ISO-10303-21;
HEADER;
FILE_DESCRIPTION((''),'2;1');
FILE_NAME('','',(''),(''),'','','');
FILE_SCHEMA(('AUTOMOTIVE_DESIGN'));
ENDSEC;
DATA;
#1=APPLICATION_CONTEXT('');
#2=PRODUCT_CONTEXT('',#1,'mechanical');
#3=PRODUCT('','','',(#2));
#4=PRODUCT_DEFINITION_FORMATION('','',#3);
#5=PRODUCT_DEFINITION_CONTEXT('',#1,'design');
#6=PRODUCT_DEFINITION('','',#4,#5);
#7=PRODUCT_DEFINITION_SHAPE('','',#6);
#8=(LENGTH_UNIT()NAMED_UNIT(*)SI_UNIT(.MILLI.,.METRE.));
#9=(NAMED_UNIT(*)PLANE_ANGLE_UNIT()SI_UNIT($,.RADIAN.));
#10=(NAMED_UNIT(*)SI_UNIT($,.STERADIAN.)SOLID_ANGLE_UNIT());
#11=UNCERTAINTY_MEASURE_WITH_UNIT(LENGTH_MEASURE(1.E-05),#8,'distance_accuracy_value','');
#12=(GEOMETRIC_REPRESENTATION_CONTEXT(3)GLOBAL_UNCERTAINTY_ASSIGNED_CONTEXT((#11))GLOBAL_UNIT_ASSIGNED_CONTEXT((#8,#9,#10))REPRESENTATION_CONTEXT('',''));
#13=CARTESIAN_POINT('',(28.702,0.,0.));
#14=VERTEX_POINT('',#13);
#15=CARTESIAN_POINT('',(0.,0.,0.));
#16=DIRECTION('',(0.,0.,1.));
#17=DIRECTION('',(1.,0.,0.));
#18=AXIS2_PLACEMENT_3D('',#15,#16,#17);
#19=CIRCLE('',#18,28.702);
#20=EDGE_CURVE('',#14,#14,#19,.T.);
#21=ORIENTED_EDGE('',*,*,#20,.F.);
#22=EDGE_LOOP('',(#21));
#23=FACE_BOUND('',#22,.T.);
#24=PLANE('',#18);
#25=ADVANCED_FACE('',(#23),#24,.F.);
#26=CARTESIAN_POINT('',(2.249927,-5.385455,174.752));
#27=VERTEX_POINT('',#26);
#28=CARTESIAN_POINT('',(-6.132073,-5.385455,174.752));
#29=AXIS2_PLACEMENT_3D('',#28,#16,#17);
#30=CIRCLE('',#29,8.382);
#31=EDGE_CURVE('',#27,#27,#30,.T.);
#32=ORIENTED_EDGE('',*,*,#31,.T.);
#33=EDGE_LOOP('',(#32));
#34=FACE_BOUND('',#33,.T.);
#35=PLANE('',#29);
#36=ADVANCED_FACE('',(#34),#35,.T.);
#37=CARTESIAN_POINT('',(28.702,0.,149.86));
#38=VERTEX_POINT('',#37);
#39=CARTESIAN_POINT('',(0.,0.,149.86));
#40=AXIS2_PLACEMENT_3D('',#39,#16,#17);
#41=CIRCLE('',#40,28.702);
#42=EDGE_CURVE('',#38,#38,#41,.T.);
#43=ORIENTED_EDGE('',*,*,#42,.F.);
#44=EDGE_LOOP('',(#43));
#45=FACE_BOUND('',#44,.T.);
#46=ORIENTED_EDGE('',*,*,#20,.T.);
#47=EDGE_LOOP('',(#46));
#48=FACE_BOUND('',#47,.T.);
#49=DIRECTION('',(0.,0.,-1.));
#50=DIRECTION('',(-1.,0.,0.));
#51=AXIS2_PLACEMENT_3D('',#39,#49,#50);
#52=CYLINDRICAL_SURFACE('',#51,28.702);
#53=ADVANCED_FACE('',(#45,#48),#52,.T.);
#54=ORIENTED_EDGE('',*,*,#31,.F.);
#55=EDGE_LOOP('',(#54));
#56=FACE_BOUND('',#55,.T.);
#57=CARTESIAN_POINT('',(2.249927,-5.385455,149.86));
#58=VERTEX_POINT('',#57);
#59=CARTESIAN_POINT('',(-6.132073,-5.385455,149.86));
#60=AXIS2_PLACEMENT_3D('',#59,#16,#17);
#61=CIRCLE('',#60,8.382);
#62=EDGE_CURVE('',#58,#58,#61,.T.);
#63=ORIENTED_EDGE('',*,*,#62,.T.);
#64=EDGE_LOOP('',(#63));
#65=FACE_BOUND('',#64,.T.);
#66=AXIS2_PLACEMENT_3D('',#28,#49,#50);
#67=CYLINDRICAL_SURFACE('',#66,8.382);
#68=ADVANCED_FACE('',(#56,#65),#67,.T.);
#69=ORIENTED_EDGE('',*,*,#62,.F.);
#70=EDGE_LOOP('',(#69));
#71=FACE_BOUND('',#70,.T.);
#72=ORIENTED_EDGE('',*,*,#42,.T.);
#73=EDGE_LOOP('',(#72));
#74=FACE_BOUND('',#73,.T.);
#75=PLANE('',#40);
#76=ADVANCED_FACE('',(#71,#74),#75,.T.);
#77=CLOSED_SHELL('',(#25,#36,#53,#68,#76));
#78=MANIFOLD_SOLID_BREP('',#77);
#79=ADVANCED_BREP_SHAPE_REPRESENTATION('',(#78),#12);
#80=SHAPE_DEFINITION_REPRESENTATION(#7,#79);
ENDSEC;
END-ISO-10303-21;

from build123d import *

# Parameters (mm, degrees)
SKETCH2_R           = 28.702
BOSS_EXTRUDE1_DEPTH = 149.86
SKETCH3_R           = 8.382
BOSS_EXTRUDE2_DEPTH = 24.892


with BuildPart() as part:
    # Sketch2 → Boss-Extrude1 (new body)
    with BuildSketch(Plane.XY):
        Circle(SKETCH2_R)
    extrude(amount=BOSS_EXTRUDE1_DEPTH)

    # Sketch3 → Boss-Extrude2 (add)
    with BuildSketch(Plane.XY.offset(149.86)):
        with Locations((-6.132072716, -5.385454815)):
            Circle(SKETCH3_R)
    extrude(amount=BOSS_EXTRUDE2_DEPTH)


solid = part.part
